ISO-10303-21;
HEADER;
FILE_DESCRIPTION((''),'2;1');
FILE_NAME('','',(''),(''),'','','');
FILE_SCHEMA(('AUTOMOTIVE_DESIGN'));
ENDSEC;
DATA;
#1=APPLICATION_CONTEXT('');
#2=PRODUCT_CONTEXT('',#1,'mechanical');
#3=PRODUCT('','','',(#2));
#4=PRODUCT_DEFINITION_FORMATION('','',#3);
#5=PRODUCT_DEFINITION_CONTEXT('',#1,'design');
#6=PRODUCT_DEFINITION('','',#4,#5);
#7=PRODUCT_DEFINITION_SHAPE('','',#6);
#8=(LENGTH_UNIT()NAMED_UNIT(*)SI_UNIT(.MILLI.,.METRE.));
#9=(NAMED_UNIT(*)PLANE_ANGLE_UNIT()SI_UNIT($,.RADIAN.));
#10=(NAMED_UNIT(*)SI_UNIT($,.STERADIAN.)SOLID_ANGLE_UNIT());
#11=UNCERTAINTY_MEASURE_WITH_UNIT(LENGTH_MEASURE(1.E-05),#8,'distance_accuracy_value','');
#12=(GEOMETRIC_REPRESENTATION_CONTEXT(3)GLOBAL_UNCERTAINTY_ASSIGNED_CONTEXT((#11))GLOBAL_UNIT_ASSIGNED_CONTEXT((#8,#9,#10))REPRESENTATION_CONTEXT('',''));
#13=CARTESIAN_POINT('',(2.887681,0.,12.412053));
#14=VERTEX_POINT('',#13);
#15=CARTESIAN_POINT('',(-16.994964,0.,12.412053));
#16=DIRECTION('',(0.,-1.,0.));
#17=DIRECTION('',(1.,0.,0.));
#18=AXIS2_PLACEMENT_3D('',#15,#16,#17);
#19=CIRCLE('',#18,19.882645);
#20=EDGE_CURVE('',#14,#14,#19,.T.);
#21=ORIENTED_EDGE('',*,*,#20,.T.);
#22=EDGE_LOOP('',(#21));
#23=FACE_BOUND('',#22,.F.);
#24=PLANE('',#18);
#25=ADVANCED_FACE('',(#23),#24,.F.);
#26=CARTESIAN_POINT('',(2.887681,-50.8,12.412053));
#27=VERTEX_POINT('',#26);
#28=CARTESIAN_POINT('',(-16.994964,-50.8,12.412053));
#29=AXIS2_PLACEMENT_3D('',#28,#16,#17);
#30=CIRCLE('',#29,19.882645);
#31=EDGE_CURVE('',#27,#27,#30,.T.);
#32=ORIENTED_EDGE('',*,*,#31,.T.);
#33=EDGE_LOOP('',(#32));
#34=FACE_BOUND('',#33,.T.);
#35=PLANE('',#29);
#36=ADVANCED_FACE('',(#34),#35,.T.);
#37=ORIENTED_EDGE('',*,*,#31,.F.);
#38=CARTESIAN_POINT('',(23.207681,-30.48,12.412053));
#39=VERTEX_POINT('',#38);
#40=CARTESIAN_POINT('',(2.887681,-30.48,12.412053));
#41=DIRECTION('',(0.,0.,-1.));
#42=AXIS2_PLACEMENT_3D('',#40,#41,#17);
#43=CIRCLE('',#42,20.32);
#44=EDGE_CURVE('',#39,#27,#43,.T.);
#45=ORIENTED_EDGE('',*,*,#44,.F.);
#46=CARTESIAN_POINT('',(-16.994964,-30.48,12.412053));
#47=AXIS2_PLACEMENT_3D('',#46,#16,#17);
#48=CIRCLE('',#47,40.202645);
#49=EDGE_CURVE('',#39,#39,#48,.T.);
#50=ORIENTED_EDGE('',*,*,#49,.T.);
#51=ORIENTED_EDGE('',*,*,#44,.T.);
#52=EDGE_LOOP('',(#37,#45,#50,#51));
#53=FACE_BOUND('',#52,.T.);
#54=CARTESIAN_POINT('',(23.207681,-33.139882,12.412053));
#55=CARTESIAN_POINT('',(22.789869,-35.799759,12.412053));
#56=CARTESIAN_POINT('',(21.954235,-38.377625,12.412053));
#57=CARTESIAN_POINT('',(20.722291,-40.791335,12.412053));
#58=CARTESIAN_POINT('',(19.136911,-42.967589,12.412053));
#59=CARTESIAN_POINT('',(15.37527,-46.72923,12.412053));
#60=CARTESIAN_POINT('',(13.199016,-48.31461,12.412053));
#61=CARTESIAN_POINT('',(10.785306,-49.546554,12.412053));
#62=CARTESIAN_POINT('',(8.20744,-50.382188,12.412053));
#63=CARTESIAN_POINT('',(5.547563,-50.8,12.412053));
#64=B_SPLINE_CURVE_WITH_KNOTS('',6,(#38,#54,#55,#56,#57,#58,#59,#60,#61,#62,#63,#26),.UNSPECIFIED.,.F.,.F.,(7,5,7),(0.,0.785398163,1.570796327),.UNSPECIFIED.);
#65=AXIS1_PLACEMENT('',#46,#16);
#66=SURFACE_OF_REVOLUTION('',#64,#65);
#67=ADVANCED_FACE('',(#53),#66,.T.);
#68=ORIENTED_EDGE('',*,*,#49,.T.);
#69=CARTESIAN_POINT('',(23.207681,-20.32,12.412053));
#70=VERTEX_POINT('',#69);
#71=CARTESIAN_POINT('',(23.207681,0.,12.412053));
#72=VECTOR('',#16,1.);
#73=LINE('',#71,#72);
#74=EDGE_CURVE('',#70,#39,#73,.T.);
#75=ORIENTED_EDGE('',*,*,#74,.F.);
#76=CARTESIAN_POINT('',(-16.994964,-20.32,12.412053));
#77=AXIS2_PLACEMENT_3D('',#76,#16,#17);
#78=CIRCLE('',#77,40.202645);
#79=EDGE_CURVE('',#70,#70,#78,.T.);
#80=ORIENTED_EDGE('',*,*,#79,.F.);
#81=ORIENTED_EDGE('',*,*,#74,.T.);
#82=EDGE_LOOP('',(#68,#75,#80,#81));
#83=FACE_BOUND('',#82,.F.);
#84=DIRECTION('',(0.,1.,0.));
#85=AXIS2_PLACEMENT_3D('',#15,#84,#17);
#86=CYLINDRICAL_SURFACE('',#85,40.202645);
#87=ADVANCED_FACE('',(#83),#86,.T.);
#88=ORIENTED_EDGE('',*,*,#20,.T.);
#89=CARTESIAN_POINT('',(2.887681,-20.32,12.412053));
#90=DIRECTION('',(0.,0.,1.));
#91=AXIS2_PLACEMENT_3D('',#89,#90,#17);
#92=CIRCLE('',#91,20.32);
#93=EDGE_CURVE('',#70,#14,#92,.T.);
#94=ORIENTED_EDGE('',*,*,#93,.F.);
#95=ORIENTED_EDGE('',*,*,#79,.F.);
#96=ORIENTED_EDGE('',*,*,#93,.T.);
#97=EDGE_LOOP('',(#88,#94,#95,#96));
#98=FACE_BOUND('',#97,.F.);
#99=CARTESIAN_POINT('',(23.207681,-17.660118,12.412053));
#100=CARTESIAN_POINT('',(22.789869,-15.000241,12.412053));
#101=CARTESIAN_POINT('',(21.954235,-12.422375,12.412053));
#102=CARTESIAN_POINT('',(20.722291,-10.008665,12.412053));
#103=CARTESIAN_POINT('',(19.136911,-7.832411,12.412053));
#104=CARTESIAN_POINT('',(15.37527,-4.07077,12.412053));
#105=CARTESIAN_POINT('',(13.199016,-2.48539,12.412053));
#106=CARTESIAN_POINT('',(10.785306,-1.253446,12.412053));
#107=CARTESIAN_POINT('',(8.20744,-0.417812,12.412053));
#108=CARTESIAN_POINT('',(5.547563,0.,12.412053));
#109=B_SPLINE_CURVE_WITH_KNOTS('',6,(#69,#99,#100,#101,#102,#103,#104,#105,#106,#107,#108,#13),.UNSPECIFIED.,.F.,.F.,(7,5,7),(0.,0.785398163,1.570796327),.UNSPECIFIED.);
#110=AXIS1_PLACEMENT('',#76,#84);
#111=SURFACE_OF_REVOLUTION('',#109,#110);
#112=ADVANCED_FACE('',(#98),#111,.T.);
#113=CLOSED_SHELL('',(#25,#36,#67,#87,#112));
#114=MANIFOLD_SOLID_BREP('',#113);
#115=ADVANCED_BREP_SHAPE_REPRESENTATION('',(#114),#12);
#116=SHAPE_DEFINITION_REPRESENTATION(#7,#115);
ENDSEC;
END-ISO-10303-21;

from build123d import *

# Parameters (mm, degrees)
F0_R     = 40.202645
F1_DEPTH = 50.8
F2_R     = 20.32


with BuildPart() as f1:
    # F0 (on Front) → F1 (new body)
    with BuildSketch(Plane.XZ):
        with Locations((-16.994964, 12.412053)):
            Circle(F0_R)
    extrude(amount=F1_DEPTH)

    # F2
    f2_edges = [f1.edges().sort_by_distance(p)[0] for p in [
        (23.20768, -25.4, 12.412053),
        (-57.197609, 0, 12.412053),
        (-57.197609, -50.8, 12.412053),
    ]]
    fillet(f2_edges, radius=F2_R)


solid = f1.part
